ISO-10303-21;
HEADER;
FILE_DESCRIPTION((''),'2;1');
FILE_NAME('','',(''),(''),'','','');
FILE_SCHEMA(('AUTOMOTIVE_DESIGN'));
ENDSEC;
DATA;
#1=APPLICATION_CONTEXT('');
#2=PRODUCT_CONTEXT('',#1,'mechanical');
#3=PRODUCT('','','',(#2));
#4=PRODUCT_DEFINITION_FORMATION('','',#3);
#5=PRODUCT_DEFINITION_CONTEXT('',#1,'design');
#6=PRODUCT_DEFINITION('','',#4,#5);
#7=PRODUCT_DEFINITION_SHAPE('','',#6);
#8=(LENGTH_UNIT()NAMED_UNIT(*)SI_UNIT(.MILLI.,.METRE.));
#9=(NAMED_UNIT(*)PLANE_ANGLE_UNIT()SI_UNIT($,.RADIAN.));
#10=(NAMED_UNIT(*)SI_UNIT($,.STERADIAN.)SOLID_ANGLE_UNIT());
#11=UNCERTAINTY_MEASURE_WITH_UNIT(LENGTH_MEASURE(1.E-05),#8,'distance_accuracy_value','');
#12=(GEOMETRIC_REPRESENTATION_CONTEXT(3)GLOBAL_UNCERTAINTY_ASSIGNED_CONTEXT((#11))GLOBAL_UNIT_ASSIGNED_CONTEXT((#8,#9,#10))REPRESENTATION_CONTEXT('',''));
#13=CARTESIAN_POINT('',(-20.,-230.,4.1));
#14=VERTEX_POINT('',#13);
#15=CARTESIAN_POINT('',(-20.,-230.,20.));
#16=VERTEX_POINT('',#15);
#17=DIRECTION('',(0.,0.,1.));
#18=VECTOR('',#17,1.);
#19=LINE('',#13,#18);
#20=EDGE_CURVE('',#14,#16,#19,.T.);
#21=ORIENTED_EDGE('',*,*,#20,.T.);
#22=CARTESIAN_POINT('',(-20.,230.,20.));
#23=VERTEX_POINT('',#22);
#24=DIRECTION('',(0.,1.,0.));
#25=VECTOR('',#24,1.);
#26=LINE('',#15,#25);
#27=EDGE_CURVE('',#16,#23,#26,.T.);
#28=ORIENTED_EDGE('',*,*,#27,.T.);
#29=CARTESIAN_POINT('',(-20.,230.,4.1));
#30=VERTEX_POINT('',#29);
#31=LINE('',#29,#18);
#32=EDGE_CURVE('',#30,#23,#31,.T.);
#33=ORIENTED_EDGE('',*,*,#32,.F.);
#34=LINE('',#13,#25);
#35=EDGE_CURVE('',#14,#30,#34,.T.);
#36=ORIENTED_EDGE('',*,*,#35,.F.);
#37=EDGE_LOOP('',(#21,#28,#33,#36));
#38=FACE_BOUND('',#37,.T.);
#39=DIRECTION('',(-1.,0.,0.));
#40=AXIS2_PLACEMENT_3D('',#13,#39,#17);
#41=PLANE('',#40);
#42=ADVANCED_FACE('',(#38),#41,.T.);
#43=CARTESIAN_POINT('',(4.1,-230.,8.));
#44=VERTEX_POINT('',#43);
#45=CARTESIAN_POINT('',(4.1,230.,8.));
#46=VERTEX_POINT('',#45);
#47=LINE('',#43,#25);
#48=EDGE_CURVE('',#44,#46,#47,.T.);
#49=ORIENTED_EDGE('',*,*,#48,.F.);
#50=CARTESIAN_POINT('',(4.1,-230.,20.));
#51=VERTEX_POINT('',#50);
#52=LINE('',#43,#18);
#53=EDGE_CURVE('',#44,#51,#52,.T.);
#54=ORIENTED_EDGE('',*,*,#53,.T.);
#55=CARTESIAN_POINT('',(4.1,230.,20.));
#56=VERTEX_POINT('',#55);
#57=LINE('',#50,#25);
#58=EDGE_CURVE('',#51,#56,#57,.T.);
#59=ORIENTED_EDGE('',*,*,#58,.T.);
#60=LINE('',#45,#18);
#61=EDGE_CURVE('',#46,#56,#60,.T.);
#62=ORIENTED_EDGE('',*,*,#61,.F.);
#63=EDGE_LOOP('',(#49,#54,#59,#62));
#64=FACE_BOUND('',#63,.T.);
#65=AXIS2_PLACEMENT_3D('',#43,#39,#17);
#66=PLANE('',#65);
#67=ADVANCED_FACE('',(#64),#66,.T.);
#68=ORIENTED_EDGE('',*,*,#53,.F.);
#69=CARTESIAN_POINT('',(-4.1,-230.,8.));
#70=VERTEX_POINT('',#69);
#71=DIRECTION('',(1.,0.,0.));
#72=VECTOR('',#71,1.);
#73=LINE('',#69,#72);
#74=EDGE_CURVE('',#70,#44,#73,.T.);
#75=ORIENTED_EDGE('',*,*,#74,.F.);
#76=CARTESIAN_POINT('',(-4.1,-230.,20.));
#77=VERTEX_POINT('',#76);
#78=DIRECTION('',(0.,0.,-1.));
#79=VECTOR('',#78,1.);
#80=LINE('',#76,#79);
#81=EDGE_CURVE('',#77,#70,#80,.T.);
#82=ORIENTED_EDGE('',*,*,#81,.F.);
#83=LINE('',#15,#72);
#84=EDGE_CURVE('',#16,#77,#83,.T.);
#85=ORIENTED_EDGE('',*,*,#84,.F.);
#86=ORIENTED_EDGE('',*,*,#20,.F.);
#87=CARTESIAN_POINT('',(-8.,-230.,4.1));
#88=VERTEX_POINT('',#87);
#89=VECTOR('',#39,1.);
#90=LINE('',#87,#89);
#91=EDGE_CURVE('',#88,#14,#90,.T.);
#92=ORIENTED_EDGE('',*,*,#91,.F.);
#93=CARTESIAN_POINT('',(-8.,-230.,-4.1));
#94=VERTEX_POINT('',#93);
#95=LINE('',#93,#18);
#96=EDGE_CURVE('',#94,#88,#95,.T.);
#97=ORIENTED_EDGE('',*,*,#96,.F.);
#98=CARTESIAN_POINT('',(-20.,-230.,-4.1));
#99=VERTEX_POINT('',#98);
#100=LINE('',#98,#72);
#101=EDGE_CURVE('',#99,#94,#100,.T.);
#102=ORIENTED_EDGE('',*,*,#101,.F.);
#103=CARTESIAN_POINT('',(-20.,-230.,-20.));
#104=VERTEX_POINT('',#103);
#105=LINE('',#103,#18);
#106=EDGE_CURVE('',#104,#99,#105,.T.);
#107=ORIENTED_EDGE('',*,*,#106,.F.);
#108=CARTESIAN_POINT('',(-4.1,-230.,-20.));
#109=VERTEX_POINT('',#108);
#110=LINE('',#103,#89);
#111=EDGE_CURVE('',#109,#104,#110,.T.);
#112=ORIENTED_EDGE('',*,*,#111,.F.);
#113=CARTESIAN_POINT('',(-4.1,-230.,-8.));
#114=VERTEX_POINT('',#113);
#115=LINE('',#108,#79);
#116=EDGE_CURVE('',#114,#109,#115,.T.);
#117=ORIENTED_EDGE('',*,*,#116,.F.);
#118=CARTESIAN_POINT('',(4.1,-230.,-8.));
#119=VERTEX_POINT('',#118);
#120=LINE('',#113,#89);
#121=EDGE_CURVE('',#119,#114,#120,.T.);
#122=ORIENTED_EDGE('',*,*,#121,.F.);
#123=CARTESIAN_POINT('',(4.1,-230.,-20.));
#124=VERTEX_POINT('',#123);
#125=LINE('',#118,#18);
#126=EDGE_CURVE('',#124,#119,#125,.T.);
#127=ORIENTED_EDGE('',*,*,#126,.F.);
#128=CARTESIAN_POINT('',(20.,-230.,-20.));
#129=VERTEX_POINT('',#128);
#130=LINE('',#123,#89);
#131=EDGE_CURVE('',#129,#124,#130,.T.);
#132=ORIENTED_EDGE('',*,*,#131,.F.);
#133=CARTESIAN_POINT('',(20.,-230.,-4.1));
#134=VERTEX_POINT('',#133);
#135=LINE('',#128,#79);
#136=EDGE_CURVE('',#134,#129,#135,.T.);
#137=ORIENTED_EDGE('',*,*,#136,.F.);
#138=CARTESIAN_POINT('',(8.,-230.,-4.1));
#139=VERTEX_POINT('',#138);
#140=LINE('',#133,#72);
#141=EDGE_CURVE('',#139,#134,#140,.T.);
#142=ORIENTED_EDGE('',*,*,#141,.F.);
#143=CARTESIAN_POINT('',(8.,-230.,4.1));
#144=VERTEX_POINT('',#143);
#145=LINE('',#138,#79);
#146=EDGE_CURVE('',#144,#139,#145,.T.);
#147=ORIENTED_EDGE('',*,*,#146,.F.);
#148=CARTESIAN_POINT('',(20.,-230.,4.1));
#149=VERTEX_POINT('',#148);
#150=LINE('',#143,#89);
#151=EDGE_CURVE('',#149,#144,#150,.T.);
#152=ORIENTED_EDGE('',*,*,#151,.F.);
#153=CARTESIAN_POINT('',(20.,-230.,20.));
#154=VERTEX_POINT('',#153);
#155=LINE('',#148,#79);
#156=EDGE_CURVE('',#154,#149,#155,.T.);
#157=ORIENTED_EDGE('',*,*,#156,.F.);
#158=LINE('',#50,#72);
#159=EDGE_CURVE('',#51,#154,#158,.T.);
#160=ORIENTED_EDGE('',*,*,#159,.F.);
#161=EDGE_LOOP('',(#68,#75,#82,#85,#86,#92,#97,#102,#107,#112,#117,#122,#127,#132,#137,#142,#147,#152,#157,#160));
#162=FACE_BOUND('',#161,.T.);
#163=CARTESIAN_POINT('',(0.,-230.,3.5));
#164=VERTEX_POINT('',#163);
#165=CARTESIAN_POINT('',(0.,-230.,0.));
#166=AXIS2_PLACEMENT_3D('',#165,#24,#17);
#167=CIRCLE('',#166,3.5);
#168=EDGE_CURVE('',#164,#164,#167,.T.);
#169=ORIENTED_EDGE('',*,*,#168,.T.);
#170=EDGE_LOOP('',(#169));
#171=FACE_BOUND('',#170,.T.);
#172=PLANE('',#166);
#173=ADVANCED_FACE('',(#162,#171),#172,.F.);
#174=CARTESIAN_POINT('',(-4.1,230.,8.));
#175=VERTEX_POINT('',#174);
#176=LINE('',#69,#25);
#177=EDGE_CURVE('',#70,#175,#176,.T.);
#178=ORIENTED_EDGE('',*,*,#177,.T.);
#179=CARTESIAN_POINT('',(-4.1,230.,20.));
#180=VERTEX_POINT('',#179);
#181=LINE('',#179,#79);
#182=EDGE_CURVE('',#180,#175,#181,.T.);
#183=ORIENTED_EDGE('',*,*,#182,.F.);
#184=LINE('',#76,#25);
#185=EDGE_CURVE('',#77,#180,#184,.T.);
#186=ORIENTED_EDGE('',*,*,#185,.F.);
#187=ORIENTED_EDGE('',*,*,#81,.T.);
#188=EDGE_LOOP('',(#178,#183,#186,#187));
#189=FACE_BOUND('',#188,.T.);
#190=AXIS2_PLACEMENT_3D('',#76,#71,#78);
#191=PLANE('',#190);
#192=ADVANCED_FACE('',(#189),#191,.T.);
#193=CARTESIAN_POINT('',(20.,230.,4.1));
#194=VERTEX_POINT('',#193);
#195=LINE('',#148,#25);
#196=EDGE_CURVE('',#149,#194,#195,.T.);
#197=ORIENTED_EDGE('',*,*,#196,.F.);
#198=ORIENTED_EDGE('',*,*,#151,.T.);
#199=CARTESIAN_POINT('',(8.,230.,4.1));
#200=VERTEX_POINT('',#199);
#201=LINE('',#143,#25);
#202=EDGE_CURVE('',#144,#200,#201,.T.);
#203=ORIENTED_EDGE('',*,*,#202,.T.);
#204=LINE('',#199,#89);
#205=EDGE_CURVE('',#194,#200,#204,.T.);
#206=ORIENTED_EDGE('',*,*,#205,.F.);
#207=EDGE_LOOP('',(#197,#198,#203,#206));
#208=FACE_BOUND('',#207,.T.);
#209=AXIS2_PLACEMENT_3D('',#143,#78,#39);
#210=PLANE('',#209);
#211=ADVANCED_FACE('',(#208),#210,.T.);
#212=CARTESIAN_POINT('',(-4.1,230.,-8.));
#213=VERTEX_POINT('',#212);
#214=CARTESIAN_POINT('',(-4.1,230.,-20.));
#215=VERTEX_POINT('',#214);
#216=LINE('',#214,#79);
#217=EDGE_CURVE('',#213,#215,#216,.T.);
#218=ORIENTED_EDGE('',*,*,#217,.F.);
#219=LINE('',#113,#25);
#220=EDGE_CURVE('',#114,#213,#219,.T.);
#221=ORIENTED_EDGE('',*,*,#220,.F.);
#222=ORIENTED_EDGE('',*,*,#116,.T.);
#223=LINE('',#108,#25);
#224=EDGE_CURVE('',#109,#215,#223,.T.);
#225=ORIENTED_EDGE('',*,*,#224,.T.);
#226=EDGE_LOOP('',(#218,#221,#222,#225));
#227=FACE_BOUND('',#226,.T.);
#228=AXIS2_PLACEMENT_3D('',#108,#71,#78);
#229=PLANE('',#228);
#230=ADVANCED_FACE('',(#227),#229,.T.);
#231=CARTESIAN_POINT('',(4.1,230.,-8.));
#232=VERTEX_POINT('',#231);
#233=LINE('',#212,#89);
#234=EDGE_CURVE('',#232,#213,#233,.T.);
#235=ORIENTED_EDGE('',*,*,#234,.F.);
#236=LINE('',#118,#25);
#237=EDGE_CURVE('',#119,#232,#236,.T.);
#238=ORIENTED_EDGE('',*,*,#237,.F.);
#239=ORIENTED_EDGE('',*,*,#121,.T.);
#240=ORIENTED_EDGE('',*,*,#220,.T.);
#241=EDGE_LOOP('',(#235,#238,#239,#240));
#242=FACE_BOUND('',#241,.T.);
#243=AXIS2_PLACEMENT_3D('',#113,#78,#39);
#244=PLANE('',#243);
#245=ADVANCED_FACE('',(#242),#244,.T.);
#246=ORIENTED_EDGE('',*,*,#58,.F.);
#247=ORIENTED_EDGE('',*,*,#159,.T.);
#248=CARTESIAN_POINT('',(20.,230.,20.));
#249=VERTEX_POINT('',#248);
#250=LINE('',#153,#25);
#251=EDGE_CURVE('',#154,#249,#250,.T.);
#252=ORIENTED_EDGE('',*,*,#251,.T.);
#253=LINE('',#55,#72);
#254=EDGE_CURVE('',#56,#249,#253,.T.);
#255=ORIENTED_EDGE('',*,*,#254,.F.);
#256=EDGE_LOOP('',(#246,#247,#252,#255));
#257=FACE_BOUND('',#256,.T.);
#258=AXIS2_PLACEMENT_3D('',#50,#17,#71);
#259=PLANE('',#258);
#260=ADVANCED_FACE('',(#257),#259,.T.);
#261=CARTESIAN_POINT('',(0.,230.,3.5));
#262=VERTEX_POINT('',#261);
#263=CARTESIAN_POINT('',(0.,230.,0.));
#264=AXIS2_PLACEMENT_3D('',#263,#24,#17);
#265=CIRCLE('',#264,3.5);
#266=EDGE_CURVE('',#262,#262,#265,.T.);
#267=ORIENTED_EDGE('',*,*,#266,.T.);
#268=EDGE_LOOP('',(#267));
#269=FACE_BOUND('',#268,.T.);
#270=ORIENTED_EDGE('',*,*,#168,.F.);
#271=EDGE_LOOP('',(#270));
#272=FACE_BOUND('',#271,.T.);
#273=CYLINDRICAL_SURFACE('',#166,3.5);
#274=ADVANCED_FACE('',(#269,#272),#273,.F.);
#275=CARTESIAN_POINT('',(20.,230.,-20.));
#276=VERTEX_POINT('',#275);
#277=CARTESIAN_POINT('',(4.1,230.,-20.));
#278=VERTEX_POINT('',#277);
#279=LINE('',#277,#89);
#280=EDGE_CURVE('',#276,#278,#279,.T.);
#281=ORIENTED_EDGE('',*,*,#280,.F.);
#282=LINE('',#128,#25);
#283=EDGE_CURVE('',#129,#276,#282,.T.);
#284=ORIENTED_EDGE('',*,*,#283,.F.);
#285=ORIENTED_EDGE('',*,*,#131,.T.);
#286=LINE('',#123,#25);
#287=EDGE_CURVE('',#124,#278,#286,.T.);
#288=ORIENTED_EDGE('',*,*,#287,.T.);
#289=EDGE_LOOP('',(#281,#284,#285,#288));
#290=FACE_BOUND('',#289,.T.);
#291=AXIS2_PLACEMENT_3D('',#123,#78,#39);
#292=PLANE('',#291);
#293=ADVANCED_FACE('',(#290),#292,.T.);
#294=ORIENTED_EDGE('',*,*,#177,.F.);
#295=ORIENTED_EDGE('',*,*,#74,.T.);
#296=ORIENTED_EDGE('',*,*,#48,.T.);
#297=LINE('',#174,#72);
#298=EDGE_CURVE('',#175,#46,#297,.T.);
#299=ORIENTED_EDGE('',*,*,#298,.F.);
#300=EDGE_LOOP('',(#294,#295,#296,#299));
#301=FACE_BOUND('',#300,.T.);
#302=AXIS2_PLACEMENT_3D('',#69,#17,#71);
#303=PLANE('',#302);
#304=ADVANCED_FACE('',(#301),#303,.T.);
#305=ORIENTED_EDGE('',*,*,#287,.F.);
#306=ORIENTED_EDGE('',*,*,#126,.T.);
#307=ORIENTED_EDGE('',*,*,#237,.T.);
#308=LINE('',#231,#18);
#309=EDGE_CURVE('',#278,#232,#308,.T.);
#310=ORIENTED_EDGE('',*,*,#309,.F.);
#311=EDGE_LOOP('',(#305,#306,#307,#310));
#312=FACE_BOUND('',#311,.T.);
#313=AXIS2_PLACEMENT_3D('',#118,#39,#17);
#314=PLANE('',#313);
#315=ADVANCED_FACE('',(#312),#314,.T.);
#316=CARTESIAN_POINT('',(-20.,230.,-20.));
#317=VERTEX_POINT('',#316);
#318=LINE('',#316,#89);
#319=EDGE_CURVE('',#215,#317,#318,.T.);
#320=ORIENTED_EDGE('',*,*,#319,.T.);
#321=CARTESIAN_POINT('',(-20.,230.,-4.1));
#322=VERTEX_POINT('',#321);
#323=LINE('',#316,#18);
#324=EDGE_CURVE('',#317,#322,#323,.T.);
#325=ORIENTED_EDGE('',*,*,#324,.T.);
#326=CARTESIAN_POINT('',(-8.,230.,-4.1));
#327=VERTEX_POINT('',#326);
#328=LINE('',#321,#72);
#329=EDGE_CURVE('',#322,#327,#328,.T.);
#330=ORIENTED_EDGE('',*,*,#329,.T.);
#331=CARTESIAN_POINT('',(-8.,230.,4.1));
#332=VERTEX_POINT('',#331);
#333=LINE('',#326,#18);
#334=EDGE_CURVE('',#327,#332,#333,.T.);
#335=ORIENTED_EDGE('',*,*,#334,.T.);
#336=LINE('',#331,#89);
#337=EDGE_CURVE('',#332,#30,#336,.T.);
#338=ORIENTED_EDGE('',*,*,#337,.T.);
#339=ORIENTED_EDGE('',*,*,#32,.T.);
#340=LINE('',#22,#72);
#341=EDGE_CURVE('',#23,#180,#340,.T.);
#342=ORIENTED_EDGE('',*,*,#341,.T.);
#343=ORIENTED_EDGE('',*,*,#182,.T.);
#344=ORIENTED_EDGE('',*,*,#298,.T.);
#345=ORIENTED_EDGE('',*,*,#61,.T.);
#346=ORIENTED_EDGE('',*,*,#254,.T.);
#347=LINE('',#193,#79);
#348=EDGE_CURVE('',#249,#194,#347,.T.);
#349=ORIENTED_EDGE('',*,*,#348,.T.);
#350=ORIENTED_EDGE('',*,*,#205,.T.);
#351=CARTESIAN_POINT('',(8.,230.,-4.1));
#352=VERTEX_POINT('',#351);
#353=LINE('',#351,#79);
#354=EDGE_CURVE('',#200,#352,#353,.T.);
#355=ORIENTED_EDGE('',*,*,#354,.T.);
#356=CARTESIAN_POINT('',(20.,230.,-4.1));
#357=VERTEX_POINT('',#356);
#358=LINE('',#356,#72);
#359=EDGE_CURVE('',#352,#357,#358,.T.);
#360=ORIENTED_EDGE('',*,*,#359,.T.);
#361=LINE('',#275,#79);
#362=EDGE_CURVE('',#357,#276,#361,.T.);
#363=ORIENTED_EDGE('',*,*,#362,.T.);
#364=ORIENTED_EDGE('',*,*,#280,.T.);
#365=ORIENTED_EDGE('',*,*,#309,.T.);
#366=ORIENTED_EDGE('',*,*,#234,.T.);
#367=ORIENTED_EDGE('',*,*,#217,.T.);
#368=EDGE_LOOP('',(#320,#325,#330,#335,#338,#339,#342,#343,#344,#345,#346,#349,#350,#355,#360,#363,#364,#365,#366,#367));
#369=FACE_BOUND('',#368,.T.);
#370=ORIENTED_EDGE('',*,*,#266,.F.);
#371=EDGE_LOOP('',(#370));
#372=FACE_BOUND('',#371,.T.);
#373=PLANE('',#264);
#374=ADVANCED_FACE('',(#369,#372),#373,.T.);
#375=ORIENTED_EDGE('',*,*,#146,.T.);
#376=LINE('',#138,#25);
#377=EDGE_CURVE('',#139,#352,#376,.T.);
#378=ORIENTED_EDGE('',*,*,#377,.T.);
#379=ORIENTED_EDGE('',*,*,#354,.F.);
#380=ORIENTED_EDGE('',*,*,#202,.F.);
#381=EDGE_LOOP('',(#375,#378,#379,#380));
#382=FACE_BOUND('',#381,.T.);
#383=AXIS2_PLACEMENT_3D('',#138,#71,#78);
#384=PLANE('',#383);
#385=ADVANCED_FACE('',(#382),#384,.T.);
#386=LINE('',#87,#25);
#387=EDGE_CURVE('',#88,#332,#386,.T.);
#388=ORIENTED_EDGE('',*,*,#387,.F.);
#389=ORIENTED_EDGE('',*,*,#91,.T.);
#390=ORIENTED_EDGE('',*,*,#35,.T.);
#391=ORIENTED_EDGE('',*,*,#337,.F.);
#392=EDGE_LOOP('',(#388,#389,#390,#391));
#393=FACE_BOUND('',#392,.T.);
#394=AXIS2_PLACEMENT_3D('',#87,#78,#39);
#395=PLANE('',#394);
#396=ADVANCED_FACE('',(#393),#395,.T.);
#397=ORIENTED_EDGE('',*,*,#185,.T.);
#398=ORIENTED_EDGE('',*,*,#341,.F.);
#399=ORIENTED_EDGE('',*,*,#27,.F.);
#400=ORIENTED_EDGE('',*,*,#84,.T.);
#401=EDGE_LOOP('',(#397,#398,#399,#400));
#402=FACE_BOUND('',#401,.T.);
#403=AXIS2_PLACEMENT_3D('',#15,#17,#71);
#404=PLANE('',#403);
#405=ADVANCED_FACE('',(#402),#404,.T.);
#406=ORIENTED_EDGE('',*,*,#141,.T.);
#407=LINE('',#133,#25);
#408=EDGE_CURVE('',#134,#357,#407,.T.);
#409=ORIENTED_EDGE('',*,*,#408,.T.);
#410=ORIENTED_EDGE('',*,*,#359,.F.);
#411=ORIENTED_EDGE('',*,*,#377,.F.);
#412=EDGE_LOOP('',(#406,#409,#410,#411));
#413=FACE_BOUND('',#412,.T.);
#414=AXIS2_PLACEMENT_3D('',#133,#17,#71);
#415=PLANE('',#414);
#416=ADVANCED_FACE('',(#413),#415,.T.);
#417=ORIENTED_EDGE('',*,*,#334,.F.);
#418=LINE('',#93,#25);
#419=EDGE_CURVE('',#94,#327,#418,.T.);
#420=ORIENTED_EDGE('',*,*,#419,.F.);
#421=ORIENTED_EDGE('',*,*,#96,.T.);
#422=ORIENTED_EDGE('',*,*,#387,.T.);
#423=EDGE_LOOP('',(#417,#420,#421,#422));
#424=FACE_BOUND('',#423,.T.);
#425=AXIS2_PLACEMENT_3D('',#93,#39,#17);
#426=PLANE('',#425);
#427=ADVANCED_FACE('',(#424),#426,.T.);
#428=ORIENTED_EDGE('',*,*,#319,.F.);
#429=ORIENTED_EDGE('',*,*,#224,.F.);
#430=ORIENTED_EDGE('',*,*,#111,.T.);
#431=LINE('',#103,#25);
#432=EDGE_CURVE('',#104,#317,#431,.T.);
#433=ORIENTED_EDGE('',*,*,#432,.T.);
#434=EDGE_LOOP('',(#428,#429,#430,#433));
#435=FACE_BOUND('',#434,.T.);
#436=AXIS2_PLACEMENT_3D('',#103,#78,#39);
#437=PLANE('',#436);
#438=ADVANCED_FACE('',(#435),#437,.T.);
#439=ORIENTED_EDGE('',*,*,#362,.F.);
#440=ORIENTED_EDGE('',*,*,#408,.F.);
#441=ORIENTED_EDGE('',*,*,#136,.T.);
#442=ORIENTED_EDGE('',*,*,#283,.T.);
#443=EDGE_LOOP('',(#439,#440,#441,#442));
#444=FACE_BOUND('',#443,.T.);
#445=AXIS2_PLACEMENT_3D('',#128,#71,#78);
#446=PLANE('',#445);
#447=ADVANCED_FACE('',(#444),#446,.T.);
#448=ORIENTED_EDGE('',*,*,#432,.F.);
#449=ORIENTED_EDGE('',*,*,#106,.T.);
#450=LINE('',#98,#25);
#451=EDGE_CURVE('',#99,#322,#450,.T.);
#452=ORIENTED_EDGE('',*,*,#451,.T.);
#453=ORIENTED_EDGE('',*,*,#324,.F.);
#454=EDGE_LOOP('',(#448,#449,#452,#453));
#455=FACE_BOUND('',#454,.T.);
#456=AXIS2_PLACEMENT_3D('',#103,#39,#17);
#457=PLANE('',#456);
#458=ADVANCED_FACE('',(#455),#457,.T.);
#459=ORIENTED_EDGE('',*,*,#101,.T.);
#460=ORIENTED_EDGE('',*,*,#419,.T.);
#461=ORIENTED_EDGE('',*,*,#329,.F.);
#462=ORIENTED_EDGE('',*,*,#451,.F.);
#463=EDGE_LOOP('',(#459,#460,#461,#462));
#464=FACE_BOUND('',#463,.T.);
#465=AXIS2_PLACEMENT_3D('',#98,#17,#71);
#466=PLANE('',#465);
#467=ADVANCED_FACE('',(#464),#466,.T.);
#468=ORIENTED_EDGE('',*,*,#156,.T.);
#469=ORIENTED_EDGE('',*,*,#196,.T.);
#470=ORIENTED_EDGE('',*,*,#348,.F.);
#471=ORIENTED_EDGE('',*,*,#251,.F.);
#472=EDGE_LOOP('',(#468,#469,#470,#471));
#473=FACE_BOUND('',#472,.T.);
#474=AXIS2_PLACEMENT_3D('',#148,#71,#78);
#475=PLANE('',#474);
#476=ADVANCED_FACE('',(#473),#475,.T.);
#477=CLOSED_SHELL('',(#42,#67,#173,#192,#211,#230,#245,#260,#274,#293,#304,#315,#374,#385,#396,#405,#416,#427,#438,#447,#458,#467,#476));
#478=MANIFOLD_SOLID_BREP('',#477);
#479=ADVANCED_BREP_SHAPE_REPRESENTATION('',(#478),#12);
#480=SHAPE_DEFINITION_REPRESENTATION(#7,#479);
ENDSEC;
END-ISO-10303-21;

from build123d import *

# Parameters (mm, degrees)
AUFSATZ_LINEAR_AUSTRAGEN1_DEPTH      = 230
AUFSATZ_LINEAR_AUSTRAGEN1_DEPTH_BACK = 230
SKIZZE1_R                            = 3.5


with BuildPart() as part:
    # Skizze1 → Aufsatz-Linear austragen1 (new, two sides: drawn at the far end of the back side and taken through both)
    with BuildSketch(Plane(origin=(0, 0, 0), x_dir=(1, 0, 0), z_dir=(0, 1, 0)).offset(-AUFSATZ_LINEAR_AUSTRAGEN1_DEPTH_BACK)):
        Polygon((-4.1, -20), (-4.1, -8), (4.1, -8), (4.1, -20), (20, -20), (20, -4.1), (8, -4.1), (8, 4.1), (20, 4.1), (20, 20), (4.1, 20), (4.1, 8), (-4.1, 8), (-4.1, 20), (-20, 20), (-20, 4.1), (-8, 4.1), (-8, -4.1), (-20, -4.1), (-20, -20), align=None)
        Circle(SKIZZE1_R, mode=Mode.SUBTRACT)
    extrude(amount=AUFSATZ_LINEAR_AUSTRAGEN1_DEPTH + AUFSATZ_LINEAR_AUSTRAGEN1_DEPTH_BACK)


solid = part.part
